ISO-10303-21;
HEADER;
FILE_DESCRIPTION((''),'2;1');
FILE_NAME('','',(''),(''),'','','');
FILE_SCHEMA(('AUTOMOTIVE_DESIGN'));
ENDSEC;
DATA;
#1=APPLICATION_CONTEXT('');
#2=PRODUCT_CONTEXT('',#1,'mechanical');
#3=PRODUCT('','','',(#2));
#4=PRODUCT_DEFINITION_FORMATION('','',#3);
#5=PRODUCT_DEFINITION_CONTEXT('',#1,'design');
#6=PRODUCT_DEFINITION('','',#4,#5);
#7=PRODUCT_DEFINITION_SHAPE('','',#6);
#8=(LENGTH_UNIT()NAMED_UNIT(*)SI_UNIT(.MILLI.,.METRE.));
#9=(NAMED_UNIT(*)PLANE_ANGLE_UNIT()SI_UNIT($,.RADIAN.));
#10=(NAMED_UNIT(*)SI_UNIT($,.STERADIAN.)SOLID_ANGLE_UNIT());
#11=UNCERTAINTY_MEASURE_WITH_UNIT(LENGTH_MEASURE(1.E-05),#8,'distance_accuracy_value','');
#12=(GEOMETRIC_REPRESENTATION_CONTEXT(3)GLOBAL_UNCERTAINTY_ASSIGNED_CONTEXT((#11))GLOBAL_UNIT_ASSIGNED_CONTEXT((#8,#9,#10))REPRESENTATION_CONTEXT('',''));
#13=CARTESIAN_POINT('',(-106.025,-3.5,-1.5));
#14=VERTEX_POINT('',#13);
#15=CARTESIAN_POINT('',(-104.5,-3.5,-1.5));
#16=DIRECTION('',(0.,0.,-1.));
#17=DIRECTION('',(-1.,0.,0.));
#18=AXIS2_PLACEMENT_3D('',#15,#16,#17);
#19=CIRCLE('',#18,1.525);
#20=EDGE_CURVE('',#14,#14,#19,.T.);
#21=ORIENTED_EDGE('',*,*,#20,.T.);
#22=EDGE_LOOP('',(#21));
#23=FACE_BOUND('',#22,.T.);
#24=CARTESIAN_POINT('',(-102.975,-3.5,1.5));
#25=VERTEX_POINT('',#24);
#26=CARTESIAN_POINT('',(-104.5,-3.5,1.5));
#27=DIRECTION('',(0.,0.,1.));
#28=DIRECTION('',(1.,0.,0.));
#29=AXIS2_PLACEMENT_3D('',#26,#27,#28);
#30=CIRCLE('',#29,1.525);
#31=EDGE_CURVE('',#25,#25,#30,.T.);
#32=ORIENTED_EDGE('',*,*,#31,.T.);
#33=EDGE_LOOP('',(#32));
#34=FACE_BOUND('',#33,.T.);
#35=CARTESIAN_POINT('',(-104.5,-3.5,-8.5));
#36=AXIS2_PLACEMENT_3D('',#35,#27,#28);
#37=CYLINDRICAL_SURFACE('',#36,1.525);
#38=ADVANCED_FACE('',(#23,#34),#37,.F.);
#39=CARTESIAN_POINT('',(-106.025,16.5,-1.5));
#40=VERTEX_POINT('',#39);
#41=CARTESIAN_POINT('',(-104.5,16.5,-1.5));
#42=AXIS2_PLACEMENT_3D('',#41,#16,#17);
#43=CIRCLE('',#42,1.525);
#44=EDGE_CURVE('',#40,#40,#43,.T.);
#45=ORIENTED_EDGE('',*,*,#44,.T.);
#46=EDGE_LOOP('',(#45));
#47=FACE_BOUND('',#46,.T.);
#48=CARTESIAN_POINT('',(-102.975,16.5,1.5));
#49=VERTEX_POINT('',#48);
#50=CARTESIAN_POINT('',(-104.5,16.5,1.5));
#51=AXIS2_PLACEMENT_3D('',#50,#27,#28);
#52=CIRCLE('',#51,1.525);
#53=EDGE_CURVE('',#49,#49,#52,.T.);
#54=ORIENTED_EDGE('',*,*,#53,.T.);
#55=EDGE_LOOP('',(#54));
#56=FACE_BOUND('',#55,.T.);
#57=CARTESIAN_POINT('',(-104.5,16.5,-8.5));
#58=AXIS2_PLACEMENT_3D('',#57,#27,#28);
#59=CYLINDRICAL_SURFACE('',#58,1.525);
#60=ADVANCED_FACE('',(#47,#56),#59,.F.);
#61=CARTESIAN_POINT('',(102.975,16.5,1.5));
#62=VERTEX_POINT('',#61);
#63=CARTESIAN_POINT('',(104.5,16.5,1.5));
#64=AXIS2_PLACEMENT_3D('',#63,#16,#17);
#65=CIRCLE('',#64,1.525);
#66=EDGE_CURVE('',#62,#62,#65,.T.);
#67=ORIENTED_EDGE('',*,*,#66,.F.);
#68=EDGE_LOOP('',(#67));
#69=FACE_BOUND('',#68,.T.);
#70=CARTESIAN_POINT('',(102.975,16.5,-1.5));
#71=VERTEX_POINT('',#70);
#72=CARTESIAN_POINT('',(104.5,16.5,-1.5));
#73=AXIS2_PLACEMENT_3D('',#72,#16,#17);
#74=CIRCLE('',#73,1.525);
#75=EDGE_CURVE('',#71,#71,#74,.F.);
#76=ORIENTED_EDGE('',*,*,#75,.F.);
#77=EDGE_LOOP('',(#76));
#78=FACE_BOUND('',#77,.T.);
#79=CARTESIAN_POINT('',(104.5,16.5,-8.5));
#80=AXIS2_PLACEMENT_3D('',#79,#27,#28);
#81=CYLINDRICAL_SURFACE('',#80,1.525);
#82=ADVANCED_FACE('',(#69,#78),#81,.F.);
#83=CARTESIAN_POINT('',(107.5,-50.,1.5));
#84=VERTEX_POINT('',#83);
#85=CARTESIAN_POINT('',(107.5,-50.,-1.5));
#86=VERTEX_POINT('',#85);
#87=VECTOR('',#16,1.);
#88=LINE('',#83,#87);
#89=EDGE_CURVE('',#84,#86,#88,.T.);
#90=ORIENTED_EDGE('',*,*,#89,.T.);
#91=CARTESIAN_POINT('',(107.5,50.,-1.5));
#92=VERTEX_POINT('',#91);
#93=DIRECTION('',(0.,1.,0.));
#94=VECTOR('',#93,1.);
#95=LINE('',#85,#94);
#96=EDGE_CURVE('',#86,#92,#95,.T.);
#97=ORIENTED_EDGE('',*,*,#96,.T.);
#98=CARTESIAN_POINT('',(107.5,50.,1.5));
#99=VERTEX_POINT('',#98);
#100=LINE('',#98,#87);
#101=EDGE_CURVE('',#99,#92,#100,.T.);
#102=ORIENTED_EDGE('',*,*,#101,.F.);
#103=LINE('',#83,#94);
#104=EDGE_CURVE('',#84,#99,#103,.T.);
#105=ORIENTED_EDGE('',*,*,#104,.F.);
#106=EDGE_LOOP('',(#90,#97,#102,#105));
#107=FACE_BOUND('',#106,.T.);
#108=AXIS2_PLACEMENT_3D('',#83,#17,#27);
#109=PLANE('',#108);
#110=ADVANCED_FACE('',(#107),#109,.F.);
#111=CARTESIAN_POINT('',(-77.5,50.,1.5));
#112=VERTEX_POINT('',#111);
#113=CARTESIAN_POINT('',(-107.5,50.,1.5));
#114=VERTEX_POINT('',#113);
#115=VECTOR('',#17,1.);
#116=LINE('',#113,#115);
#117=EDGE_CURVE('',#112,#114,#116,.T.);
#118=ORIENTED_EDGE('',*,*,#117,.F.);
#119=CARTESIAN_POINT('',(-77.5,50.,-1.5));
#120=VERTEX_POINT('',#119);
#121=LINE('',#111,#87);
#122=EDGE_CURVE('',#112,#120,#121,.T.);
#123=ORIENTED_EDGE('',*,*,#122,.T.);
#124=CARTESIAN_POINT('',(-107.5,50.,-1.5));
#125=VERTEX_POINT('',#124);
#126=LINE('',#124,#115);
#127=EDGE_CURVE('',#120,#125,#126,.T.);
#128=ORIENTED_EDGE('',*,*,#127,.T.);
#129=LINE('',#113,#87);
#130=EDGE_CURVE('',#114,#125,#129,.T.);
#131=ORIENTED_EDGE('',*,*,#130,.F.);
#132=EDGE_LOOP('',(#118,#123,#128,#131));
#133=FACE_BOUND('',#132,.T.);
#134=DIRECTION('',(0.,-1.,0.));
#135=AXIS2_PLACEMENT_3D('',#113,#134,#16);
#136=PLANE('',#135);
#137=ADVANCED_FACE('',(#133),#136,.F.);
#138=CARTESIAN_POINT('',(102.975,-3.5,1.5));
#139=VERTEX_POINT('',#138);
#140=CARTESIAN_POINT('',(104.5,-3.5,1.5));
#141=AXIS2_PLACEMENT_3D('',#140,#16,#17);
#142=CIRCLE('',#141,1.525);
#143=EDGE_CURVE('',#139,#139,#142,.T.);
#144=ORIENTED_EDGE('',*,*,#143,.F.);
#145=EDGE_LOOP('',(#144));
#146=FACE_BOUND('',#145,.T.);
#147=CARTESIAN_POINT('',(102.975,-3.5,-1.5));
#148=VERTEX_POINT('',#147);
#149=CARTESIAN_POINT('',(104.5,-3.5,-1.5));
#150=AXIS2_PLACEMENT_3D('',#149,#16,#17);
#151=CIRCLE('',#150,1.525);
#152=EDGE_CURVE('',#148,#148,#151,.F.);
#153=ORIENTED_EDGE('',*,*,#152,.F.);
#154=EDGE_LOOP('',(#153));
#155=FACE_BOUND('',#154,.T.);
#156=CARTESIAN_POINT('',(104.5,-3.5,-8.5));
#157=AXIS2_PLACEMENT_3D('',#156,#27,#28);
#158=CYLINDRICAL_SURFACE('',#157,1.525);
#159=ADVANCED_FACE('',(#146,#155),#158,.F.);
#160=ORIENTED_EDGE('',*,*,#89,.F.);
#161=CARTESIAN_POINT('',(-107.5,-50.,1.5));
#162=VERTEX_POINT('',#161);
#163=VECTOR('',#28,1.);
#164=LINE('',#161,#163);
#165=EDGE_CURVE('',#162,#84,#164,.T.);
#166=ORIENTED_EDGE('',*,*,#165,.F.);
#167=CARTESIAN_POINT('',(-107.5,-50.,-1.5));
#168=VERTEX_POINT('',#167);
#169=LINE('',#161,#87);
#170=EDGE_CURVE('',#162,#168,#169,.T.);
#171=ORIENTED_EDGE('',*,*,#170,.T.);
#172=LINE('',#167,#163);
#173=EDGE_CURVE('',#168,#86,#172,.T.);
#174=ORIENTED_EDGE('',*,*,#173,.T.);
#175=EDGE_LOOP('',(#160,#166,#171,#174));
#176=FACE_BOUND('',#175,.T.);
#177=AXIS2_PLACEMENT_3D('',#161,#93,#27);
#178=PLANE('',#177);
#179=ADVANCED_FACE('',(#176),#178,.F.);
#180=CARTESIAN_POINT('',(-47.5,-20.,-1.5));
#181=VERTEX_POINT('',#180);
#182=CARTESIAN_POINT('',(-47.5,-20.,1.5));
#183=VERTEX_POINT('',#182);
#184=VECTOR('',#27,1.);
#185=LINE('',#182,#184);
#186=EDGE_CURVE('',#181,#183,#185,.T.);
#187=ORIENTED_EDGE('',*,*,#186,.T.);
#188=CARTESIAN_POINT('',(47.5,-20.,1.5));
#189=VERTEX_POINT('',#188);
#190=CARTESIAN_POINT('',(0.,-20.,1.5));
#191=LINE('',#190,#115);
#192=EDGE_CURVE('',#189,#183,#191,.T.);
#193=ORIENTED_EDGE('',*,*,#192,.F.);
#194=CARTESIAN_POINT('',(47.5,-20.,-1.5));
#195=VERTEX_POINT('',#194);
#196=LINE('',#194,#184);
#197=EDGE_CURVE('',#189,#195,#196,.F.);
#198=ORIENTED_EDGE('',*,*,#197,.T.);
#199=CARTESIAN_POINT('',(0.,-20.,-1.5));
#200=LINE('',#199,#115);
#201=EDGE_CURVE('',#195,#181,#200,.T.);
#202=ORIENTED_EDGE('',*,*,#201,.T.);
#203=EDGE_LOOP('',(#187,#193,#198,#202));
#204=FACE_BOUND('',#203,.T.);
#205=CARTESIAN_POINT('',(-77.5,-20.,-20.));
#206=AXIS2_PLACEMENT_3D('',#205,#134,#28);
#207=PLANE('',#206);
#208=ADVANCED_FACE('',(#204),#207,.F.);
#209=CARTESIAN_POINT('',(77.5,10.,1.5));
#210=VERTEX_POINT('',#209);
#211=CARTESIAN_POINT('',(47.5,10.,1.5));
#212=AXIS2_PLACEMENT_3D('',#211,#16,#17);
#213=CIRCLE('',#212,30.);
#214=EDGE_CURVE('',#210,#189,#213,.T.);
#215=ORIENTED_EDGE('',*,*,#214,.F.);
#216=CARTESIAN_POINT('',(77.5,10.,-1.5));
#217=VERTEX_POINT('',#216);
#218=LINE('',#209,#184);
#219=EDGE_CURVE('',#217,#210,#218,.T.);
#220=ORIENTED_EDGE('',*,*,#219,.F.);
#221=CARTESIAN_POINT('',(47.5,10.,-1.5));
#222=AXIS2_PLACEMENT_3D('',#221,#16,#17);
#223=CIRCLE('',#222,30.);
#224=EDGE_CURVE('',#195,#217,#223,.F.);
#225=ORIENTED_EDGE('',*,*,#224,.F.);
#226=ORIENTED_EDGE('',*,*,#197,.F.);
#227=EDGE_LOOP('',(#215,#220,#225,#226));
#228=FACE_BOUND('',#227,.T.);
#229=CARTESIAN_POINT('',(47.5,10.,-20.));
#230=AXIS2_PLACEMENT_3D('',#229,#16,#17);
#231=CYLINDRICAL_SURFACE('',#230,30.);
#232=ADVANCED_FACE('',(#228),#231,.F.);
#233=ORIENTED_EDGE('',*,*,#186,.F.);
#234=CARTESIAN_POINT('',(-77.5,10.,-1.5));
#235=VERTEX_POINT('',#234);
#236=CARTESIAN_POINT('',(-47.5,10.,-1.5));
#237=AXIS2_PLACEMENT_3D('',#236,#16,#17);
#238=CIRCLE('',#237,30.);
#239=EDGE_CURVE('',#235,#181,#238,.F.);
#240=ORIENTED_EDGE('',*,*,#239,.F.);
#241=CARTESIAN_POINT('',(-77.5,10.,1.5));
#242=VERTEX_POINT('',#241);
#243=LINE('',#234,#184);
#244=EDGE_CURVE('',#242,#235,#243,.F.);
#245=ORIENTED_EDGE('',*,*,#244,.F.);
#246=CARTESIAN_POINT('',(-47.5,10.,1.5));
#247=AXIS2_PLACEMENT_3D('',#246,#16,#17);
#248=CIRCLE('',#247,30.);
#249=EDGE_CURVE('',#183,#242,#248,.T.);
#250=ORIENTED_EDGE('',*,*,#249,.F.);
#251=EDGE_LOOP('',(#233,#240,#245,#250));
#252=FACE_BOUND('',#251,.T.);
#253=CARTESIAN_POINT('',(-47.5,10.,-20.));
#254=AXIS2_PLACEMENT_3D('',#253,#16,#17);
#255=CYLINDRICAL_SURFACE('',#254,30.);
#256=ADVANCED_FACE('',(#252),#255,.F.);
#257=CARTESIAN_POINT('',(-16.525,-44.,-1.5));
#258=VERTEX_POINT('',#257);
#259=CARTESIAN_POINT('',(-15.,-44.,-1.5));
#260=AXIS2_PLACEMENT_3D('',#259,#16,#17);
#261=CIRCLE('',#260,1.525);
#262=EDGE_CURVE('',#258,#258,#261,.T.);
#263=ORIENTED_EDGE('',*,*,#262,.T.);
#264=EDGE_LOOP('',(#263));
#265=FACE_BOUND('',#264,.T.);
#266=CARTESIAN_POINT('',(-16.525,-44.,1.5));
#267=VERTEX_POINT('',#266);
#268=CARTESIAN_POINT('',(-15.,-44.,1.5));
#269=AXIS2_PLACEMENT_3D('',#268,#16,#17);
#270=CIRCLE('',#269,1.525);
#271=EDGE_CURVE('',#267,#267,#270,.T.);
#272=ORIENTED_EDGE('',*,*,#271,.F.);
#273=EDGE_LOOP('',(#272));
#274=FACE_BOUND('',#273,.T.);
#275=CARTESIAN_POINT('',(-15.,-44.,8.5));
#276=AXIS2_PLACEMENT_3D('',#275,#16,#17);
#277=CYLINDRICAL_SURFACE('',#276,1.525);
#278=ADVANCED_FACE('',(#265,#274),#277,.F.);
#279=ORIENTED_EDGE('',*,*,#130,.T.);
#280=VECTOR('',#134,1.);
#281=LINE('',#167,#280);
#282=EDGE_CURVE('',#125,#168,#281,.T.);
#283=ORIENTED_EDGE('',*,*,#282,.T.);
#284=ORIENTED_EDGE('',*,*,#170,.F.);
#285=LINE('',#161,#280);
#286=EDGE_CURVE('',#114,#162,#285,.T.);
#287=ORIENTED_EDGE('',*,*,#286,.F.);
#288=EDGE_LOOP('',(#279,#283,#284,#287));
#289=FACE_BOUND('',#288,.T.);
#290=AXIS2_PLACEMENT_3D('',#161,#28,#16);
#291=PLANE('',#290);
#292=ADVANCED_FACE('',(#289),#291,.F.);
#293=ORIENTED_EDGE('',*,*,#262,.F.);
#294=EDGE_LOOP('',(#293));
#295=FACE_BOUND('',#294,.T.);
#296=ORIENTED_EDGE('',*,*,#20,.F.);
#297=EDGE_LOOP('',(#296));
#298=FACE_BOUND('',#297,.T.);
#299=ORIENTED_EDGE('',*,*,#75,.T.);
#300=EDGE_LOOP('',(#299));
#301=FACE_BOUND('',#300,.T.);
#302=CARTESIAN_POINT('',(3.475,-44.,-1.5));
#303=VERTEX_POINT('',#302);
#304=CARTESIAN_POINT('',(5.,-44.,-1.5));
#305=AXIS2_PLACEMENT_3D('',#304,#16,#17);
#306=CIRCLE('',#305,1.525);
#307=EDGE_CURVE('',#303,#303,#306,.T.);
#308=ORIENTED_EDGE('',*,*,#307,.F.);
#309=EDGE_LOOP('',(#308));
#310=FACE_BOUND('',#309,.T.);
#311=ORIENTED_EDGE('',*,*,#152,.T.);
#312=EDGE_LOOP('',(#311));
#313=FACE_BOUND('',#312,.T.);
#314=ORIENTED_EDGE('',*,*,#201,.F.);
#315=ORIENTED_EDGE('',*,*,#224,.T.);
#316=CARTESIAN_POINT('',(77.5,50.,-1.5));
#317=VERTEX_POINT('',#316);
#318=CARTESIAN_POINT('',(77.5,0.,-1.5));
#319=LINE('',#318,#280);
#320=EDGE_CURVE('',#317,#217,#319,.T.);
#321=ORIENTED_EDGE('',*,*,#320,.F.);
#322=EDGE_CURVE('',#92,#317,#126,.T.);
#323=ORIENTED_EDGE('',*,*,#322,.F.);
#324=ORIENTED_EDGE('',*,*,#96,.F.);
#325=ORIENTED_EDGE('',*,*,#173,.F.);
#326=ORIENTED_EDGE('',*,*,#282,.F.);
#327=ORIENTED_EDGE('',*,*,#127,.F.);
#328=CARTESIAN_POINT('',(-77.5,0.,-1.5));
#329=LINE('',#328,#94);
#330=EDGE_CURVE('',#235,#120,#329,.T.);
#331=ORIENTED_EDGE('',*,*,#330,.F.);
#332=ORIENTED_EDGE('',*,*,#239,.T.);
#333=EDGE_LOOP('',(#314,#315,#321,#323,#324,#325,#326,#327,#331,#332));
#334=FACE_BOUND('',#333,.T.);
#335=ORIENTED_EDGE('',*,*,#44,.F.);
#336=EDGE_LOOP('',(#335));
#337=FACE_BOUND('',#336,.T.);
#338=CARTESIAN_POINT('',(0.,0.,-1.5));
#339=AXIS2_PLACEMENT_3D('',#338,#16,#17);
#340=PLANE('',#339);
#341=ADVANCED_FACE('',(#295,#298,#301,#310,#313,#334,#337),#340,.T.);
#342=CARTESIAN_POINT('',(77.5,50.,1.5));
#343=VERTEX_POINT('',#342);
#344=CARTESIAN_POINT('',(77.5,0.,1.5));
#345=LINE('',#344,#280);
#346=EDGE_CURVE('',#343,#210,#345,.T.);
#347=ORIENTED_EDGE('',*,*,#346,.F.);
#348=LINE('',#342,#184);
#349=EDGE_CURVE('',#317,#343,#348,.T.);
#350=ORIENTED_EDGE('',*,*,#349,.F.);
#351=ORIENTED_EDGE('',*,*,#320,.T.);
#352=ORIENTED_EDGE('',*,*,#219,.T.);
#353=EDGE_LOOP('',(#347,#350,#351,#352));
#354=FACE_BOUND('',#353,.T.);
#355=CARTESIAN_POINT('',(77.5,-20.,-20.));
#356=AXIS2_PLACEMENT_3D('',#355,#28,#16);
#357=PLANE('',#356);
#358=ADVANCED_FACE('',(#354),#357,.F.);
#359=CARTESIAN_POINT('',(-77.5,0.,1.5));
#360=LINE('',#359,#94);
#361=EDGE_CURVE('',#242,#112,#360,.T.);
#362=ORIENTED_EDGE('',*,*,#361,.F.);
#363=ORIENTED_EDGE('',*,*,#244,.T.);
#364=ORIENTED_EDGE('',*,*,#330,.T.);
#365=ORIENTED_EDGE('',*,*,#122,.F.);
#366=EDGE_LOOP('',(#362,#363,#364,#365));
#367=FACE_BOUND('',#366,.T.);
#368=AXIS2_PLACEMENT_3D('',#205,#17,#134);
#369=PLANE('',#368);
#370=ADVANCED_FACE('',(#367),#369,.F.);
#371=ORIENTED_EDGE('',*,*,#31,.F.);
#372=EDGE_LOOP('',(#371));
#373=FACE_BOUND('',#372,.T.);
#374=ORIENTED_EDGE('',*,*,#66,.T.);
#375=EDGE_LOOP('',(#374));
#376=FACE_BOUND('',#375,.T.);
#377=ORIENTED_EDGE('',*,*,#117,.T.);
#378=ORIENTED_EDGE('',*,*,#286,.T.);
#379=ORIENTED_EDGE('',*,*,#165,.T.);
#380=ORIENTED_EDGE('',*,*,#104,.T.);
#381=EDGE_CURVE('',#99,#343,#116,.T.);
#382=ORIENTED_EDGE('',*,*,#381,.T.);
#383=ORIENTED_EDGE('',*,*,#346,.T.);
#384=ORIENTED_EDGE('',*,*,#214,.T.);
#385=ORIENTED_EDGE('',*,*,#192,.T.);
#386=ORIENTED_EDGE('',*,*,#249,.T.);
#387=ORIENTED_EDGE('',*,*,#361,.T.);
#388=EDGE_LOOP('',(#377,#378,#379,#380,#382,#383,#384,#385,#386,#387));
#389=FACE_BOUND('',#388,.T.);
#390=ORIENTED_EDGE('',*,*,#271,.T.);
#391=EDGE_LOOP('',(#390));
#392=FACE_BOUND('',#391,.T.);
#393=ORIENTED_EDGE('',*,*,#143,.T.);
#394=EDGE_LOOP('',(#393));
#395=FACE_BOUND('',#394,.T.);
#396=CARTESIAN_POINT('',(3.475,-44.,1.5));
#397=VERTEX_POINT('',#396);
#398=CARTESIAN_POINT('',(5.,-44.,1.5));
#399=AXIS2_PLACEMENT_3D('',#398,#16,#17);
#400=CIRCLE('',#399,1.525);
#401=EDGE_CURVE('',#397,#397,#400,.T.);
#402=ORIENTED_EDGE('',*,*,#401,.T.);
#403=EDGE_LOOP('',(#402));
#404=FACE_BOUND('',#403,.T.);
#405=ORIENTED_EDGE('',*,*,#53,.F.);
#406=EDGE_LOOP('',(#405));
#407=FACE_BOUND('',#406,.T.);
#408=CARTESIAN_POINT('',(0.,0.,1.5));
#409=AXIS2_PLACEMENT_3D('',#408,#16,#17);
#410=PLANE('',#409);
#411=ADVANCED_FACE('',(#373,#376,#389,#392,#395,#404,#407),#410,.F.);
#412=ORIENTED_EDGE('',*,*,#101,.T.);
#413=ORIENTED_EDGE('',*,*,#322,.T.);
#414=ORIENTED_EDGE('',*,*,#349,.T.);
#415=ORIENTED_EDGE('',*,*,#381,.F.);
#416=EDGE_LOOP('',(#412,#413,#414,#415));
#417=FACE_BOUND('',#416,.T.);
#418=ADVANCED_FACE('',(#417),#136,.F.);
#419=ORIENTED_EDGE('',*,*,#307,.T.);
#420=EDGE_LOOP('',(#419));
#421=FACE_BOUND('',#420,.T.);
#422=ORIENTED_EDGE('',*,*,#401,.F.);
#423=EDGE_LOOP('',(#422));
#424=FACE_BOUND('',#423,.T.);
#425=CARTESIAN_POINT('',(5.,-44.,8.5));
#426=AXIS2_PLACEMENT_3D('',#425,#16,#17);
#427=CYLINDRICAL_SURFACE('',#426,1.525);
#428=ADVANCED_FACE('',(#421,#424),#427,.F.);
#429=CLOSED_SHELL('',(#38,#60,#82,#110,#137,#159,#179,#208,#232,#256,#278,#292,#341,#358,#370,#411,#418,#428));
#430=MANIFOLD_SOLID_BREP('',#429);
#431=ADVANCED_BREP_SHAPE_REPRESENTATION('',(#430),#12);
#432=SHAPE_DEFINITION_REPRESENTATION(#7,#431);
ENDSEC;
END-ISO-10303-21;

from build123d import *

# Parameters (mm, degrees)
SKETCH_1_W          = 215
SKETCH_1_H          = 100
EXTRUDE_1_DEPTH     = 1.5
SKETCH_2_W          = 155
SKETCH_2_H          = 140
CUT_EXTRUDE_1_DEPTH = 21.5
FILLET_1_R          = 30
SKETCH_3_R          = 1.525
CUT_EXTRUDE_2_DEPTH = 10
SKETCH_4_R          = 1.525
CUT_EXTRUDE_3_DEPTH = 10


with BuildPart() as part:
    # 草图1 → 凸台-拉伸1 (new body, symmetric)
    with BuildSketch(Plane.XY):
        Rectangle(SKETCH_1_W, SKETCH_1_H)
    extrude(amount=EXTRUDE_1_DEPTH, both=True)

    # 草图2 → 切除-拉伸1 (cut, symmetric)
    with BuildSketch(Plane.XY.offset(1.5)):
        with Locations((0, 50)):
            Rectangle(SKETCH_2_W, SKETCH_2_H)
    extrude(amount=CUT_EXTRUDE_1_DEPTH, both=True, mode=Mode.SUBTRACT)

    # 圆角1
    fillet_1_edges = [part.edges().sort_by_distance(p)[0] for p in [
        (77.5, -20, 0),
        (-77.5, -20, 0),
    ]]
    fillet(fillet_1_edges, radius=FILLET_1_R)

    # 草图3 → 切除-拉伸2 (cut)
    with BuildSketch(Plane(origin=(0, 0, -1.5), x_dir=(-1, 0, 0), z_dir=(0, 0, -1))):
        with Locations((-5, -44)):
            Circle(SKETCH_3_R)
        with Locations((15, -44)):
            Circle(SKETCH_3_R)
    extrude(amount=-CUT_EXTRUDE_2_DEPTH, mode=Mode.SUBTRACT)

    # 草图4 → 切除-拉伸3 (cut)
    with BuildSketch(Plane.XY.offset(1.5)):
        with Locations((-104.5, 16.5)):
            Circle(SKETCH_4_R)
        with Locations((-104.5, -3.5)):
            Circle(SKETCH_4_R)
    cut_extrude_3 = extrude(amount=-CUT_EXTRUDE_3_DEPTH, mode=Mode.SUBTRACT)

    # 镜向1: 切除-拉伸3 across plane
    add(cut_extrude_3.mirror(Plane(origin=(0, 0, 0), x_dir=(0, 0, 1), z_dir=(1, 0, 0))), mode=Mode.SUBTRACT)


solid = part.part
